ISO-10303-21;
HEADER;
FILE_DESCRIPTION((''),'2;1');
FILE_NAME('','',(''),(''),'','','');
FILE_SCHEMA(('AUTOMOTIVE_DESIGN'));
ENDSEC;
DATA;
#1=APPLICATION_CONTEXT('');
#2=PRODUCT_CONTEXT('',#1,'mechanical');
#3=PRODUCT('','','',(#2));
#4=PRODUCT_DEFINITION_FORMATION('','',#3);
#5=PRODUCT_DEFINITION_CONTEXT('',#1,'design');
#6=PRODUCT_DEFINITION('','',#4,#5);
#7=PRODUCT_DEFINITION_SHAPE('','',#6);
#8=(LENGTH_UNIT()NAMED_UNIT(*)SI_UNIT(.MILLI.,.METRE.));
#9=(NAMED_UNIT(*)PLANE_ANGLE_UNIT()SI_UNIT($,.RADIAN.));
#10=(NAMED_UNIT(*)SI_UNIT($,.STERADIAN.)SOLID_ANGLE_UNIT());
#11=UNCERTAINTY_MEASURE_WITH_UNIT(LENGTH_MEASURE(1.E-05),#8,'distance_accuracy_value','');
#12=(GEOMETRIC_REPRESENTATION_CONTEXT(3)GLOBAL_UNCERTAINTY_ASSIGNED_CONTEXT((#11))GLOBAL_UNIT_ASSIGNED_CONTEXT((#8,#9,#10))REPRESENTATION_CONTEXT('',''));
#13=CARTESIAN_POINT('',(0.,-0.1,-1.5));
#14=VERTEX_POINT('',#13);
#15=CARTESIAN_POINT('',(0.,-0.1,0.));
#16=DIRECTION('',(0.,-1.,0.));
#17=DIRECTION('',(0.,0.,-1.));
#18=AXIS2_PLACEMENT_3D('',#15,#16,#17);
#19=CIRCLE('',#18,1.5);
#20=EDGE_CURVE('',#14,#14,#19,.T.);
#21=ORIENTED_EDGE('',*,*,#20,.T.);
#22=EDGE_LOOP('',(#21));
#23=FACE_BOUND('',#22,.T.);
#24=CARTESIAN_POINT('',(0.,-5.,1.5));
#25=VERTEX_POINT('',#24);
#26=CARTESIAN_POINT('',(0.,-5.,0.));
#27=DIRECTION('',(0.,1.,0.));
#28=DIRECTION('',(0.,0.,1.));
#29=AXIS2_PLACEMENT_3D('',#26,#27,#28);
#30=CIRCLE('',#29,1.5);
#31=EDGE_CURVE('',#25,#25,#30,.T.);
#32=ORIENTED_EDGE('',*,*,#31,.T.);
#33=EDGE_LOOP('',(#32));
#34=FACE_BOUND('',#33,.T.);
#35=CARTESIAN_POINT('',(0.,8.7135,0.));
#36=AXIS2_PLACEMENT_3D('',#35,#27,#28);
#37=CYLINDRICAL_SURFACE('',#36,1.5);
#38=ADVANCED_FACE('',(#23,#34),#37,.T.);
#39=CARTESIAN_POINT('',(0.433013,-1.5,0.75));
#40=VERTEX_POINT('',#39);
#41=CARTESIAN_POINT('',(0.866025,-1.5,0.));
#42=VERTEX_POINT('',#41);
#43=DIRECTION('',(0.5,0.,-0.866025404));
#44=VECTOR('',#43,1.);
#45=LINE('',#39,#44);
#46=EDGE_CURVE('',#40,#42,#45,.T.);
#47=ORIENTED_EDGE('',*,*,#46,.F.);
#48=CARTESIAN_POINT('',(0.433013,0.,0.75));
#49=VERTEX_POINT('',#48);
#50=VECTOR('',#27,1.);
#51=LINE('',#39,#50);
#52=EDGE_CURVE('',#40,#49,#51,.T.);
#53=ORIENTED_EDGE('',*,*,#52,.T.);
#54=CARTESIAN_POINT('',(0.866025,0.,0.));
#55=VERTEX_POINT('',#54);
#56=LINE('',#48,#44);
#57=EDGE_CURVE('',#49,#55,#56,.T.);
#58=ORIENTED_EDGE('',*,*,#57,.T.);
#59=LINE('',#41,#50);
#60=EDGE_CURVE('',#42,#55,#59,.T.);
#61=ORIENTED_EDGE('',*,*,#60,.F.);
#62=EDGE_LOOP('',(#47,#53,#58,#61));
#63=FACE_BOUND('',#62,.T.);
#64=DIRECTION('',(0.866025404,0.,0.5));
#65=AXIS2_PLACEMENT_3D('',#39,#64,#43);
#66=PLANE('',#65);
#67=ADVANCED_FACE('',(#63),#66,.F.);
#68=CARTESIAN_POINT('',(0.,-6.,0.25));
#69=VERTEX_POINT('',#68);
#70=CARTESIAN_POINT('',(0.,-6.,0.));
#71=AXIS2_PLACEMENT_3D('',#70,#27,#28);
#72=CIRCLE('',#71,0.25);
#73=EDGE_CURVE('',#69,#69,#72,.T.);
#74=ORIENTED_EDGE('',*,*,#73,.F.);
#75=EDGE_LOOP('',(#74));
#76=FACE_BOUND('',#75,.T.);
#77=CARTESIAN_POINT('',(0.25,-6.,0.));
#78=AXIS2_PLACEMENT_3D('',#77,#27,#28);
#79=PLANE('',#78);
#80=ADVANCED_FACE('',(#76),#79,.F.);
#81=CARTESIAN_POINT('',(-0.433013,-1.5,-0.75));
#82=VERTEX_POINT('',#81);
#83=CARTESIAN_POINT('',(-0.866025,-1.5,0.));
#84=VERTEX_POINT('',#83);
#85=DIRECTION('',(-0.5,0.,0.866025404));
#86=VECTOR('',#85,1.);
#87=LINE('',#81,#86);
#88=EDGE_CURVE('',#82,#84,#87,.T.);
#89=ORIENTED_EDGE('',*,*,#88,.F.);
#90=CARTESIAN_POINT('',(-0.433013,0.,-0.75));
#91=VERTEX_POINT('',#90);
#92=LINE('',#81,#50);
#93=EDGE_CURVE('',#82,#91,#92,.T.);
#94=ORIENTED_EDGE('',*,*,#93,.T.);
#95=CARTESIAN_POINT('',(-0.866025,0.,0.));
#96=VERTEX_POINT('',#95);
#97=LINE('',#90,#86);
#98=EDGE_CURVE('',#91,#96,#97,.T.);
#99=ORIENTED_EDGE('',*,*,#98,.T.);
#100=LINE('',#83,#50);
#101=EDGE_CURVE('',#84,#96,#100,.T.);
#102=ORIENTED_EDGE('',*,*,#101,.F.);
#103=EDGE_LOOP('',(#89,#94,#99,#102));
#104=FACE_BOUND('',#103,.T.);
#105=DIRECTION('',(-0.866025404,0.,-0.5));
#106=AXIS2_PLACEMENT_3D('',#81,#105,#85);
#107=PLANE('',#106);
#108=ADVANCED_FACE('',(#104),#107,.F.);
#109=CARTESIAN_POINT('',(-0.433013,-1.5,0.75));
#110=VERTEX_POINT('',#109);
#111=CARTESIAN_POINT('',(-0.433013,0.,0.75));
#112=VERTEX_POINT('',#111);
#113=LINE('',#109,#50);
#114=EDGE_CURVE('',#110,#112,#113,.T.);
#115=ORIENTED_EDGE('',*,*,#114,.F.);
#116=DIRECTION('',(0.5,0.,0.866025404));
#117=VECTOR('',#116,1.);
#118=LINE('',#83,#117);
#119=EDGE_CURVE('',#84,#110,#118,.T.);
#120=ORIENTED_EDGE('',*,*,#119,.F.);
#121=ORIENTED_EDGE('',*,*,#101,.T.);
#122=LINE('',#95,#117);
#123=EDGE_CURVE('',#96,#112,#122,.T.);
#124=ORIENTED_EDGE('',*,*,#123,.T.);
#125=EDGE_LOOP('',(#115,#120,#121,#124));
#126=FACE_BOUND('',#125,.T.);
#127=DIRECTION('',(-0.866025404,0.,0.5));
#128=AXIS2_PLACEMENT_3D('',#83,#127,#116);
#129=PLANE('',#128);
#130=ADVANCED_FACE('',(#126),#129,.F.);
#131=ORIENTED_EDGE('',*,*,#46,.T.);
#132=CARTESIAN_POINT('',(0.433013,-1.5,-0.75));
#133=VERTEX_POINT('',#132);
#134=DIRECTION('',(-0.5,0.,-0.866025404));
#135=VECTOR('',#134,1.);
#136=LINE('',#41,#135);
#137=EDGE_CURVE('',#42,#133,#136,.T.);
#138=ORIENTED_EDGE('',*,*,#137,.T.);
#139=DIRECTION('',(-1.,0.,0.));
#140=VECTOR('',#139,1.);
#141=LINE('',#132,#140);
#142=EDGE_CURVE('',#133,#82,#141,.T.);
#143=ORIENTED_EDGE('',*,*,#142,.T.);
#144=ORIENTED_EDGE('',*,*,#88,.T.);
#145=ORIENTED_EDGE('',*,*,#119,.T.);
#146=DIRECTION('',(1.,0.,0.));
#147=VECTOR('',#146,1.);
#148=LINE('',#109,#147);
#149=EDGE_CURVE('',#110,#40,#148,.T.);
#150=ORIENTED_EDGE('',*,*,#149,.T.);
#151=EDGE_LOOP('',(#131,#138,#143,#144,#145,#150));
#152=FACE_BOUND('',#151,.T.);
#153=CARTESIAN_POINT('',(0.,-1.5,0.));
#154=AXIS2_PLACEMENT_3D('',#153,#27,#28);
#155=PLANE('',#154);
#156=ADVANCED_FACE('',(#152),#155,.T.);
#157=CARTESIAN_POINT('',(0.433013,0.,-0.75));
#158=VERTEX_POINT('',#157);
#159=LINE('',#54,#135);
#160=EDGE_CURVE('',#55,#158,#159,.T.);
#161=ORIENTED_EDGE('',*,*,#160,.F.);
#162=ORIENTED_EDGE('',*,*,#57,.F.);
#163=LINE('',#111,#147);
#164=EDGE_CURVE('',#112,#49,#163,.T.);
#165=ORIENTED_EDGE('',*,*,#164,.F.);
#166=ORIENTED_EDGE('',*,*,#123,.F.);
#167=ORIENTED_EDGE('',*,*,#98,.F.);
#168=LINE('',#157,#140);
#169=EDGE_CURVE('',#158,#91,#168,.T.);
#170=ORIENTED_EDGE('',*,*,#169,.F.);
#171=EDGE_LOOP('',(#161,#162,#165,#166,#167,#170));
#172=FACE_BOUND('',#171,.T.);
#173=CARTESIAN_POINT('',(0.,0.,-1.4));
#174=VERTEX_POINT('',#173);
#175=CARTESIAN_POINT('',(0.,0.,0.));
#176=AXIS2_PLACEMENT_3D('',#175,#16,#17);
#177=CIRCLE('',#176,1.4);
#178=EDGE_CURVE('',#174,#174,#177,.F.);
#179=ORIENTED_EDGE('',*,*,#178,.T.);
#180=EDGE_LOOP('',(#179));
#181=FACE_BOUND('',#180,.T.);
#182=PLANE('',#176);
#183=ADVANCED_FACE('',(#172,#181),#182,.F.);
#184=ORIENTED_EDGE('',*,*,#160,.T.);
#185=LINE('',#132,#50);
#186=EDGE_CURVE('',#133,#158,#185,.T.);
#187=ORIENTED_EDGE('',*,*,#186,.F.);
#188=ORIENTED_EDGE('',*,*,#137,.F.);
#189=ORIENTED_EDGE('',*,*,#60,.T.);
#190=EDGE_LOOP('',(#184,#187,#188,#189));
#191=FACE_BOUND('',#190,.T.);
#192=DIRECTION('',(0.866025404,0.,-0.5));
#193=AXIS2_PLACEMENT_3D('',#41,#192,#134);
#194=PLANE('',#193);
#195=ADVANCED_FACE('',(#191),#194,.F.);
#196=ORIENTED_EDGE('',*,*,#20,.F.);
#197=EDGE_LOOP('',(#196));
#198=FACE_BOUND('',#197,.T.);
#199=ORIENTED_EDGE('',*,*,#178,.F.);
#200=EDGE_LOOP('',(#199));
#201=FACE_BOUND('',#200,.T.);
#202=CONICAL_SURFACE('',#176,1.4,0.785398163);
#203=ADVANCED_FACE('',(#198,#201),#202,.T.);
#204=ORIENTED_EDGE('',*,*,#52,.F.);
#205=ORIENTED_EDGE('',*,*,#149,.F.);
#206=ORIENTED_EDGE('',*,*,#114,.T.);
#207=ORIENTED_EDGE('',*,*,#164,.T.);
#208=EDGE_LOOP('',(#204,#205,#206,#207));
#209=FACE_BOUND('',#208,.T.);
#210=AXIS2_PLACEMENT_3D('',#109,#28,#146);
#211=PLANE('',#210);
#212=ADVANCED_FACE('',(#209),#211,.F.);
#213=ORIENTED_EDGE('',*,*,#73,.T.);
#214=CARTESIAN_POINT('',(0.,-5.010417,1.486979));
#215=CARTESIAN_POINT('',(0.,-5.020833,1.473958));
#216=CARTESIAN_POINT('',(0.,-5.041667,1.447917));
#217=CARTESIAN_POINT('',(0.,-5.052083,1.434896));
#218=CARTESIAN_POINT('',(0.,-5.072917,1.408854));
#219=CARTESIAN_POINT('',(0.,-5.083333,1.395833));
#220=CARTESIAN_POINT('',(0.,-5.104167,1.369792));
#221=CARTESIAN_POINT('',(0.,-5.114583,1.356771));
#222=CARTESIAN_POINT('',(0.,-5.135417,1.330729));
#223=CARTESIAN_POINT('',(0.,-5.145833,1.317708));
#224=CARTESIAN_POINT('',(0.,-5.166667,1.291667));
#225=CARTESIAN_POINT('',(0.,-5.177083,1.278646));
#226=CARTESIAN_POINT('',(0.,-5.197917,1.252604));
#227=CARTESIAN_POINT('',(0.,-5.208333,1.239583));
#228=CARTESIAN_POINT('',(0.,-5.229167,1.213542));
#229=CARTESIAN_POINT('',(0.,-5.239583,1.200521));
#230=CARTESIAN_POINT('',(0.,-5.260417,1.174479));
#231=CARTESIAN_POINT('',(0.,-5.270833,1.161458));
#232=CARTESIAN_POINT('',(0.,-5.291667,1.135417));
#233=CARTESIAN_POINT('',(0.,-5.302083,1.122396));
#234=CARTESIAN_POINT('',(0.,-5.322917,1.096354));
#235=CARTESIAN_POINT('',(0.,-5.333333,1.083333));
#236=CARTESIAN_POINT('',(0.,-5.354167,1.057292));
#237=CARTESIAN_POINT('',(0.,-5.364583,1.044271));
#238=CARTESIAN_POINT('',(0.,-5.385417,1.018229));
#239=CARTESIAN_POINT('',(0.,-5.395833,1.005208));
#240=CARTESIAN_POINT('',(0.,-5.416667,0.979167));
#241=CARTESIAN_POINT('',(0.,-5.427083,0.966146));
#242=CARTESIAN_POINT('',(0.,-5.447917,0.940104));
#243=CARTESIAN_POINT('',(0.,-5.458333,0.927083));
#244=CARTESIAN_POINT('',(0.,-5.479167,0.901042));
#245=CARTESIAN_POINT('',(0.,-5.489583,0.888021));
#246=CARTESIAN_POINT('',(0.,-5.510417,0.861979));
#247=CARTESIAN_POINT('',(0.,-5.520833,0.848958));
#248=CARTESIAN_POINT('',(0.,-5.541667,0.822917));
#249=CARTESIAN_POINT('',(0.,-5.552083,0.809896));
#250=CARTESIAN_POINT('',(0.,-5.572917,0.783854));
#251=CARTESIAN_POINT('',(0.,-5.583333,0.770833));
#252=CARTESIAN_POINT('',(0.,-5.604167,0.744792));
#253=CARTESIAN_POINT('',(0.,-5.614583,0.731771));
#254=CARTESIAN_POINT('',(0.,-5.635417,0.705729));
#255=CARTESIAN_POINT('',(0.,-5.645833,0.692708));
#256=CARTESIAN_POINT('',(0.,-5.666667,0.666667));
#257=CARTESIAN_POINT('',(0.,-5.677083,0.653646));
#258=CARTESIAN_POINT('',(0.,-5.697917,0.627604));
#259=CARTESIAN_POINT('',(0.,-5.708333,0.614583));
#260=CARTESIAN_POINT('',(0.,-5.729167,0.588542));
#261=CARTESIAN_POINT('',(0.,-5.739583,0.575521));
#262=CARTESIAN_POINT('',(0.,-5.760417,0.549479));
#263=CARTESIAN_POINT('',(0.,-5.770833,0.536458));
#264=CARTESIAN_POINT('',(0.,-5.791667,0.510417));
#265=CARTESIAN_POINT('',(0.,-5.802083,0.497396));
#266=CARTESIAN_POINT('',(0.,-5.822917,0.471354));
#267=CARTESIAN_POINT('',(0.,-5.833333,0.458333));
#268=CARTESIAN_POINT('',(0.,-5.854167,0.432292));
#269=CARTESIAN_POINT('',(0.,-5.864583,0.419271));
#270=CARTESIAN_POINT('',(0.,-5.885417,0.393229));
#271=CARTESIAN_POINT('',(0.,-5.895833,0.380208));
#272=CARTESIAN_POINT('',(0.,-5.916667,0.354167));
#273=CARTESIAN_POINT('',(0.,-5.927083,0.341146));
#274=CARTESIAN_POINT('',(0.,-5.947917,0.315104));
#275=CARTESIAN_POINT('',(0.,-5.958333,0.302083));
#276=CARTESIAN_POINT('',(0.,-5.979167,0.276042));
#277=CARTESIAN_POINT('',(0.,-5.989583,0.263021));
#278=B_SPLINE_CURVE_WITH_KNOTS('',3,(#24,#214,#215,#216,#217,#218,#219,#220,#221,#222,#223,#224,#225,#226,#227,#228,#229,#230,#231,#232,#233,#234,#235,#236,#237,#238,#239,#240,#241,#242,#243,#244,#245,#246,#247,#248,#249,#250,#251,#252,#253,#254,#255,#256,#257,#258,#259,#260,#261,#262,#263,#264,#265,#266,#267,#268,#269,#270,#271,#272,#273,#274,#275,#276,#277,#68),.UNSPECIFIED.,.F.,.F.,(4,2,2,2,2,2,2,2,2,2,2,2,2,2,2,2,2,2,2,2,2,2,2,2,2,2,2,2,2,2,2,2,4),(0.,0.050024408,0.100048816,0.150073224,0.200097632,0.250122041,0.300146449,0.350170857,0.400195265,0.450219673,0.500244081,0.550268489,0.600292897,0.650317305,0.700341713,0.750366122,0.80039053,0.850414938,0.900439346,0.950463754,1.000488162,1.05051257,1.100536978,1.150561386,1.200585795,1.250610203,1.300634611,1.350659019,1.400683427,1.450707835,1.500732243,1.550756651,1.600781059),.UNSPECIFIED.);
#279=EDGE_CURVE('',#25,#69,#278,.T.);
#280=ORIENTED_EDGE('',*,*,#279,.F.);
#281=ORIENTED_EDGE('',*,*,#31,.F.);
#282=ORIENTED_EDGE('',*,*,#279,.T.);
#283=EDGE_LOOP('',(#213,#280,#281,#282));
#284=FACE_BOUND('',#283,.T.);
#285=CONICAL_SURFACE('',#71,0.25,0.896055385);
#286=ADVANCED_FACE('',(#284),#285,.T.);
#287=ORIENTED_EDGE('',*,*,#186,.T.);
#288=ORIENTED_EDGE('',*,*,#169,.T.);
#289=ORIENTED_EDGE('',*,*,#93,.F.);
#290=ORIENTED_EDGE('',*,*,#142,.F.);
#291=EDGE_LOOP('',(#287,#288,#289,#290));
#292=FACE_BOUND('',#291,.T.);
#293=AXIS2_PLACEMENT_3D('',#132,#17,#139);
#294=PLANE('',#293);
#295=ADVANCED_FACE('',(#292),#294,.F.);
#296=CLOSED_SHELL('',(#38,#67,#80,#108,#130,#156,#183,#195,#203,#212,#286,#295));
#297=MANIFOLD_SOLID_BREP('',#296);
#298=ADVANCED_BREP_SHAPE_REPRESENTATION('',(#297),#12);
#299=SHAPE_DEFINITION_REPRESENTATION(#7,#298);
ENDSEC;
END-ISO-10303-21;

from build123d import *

# Parameters (mm, degrees)
CUT_EXTRUDE_1_DEPTH = 1.5
CHAMFER_1_SIZE      = 0.1


with BuildPart() as part:
    # 草图1 → 旋转1 (revolve)
    with BuildSketch(Plane.XY, mode=Mode.PRIVATE) as revolve_1_sk:
        Polygon((0, 0), (1.5, 0), (1.5, -5), (0.25, -6), (0, -6), align=None)
    revolve(revolve_1_sk.sketch.rotate(Axis((0, 8.713500289, 0), (0, -1, 0)), 90), axis=Axis((0, 8.713500289, 0), (0, -1, 0)))

    # 草图2 → 切除-拉伸1 (cut)
    with BuildSketch(Plane(origin=(0, 0, 0), x_dir=(1, 0, 0), z_dir=(0, 1, 0))):
        Polygon((-0.433012702, -0.75), (0.433012702, -0.75), (0.866025404, 0), (0.433012702, 0.75), (-0.433012702, 0.75), (-0.866025404, 0), align=None)
    extrude(amount=-CUT_EXTRUDE_1_DEPTH, mode=Mode.SUBTRACT)

    # 倒角1
    chamfer_1_edges = [part.edges().sort_by_distance(p)[0] for p in [
        (0, 0, -1.5),
    ]]
    chamfer(chamfer_1_edges, length=CHAMFER_1_SIZE)


solid = part.part
